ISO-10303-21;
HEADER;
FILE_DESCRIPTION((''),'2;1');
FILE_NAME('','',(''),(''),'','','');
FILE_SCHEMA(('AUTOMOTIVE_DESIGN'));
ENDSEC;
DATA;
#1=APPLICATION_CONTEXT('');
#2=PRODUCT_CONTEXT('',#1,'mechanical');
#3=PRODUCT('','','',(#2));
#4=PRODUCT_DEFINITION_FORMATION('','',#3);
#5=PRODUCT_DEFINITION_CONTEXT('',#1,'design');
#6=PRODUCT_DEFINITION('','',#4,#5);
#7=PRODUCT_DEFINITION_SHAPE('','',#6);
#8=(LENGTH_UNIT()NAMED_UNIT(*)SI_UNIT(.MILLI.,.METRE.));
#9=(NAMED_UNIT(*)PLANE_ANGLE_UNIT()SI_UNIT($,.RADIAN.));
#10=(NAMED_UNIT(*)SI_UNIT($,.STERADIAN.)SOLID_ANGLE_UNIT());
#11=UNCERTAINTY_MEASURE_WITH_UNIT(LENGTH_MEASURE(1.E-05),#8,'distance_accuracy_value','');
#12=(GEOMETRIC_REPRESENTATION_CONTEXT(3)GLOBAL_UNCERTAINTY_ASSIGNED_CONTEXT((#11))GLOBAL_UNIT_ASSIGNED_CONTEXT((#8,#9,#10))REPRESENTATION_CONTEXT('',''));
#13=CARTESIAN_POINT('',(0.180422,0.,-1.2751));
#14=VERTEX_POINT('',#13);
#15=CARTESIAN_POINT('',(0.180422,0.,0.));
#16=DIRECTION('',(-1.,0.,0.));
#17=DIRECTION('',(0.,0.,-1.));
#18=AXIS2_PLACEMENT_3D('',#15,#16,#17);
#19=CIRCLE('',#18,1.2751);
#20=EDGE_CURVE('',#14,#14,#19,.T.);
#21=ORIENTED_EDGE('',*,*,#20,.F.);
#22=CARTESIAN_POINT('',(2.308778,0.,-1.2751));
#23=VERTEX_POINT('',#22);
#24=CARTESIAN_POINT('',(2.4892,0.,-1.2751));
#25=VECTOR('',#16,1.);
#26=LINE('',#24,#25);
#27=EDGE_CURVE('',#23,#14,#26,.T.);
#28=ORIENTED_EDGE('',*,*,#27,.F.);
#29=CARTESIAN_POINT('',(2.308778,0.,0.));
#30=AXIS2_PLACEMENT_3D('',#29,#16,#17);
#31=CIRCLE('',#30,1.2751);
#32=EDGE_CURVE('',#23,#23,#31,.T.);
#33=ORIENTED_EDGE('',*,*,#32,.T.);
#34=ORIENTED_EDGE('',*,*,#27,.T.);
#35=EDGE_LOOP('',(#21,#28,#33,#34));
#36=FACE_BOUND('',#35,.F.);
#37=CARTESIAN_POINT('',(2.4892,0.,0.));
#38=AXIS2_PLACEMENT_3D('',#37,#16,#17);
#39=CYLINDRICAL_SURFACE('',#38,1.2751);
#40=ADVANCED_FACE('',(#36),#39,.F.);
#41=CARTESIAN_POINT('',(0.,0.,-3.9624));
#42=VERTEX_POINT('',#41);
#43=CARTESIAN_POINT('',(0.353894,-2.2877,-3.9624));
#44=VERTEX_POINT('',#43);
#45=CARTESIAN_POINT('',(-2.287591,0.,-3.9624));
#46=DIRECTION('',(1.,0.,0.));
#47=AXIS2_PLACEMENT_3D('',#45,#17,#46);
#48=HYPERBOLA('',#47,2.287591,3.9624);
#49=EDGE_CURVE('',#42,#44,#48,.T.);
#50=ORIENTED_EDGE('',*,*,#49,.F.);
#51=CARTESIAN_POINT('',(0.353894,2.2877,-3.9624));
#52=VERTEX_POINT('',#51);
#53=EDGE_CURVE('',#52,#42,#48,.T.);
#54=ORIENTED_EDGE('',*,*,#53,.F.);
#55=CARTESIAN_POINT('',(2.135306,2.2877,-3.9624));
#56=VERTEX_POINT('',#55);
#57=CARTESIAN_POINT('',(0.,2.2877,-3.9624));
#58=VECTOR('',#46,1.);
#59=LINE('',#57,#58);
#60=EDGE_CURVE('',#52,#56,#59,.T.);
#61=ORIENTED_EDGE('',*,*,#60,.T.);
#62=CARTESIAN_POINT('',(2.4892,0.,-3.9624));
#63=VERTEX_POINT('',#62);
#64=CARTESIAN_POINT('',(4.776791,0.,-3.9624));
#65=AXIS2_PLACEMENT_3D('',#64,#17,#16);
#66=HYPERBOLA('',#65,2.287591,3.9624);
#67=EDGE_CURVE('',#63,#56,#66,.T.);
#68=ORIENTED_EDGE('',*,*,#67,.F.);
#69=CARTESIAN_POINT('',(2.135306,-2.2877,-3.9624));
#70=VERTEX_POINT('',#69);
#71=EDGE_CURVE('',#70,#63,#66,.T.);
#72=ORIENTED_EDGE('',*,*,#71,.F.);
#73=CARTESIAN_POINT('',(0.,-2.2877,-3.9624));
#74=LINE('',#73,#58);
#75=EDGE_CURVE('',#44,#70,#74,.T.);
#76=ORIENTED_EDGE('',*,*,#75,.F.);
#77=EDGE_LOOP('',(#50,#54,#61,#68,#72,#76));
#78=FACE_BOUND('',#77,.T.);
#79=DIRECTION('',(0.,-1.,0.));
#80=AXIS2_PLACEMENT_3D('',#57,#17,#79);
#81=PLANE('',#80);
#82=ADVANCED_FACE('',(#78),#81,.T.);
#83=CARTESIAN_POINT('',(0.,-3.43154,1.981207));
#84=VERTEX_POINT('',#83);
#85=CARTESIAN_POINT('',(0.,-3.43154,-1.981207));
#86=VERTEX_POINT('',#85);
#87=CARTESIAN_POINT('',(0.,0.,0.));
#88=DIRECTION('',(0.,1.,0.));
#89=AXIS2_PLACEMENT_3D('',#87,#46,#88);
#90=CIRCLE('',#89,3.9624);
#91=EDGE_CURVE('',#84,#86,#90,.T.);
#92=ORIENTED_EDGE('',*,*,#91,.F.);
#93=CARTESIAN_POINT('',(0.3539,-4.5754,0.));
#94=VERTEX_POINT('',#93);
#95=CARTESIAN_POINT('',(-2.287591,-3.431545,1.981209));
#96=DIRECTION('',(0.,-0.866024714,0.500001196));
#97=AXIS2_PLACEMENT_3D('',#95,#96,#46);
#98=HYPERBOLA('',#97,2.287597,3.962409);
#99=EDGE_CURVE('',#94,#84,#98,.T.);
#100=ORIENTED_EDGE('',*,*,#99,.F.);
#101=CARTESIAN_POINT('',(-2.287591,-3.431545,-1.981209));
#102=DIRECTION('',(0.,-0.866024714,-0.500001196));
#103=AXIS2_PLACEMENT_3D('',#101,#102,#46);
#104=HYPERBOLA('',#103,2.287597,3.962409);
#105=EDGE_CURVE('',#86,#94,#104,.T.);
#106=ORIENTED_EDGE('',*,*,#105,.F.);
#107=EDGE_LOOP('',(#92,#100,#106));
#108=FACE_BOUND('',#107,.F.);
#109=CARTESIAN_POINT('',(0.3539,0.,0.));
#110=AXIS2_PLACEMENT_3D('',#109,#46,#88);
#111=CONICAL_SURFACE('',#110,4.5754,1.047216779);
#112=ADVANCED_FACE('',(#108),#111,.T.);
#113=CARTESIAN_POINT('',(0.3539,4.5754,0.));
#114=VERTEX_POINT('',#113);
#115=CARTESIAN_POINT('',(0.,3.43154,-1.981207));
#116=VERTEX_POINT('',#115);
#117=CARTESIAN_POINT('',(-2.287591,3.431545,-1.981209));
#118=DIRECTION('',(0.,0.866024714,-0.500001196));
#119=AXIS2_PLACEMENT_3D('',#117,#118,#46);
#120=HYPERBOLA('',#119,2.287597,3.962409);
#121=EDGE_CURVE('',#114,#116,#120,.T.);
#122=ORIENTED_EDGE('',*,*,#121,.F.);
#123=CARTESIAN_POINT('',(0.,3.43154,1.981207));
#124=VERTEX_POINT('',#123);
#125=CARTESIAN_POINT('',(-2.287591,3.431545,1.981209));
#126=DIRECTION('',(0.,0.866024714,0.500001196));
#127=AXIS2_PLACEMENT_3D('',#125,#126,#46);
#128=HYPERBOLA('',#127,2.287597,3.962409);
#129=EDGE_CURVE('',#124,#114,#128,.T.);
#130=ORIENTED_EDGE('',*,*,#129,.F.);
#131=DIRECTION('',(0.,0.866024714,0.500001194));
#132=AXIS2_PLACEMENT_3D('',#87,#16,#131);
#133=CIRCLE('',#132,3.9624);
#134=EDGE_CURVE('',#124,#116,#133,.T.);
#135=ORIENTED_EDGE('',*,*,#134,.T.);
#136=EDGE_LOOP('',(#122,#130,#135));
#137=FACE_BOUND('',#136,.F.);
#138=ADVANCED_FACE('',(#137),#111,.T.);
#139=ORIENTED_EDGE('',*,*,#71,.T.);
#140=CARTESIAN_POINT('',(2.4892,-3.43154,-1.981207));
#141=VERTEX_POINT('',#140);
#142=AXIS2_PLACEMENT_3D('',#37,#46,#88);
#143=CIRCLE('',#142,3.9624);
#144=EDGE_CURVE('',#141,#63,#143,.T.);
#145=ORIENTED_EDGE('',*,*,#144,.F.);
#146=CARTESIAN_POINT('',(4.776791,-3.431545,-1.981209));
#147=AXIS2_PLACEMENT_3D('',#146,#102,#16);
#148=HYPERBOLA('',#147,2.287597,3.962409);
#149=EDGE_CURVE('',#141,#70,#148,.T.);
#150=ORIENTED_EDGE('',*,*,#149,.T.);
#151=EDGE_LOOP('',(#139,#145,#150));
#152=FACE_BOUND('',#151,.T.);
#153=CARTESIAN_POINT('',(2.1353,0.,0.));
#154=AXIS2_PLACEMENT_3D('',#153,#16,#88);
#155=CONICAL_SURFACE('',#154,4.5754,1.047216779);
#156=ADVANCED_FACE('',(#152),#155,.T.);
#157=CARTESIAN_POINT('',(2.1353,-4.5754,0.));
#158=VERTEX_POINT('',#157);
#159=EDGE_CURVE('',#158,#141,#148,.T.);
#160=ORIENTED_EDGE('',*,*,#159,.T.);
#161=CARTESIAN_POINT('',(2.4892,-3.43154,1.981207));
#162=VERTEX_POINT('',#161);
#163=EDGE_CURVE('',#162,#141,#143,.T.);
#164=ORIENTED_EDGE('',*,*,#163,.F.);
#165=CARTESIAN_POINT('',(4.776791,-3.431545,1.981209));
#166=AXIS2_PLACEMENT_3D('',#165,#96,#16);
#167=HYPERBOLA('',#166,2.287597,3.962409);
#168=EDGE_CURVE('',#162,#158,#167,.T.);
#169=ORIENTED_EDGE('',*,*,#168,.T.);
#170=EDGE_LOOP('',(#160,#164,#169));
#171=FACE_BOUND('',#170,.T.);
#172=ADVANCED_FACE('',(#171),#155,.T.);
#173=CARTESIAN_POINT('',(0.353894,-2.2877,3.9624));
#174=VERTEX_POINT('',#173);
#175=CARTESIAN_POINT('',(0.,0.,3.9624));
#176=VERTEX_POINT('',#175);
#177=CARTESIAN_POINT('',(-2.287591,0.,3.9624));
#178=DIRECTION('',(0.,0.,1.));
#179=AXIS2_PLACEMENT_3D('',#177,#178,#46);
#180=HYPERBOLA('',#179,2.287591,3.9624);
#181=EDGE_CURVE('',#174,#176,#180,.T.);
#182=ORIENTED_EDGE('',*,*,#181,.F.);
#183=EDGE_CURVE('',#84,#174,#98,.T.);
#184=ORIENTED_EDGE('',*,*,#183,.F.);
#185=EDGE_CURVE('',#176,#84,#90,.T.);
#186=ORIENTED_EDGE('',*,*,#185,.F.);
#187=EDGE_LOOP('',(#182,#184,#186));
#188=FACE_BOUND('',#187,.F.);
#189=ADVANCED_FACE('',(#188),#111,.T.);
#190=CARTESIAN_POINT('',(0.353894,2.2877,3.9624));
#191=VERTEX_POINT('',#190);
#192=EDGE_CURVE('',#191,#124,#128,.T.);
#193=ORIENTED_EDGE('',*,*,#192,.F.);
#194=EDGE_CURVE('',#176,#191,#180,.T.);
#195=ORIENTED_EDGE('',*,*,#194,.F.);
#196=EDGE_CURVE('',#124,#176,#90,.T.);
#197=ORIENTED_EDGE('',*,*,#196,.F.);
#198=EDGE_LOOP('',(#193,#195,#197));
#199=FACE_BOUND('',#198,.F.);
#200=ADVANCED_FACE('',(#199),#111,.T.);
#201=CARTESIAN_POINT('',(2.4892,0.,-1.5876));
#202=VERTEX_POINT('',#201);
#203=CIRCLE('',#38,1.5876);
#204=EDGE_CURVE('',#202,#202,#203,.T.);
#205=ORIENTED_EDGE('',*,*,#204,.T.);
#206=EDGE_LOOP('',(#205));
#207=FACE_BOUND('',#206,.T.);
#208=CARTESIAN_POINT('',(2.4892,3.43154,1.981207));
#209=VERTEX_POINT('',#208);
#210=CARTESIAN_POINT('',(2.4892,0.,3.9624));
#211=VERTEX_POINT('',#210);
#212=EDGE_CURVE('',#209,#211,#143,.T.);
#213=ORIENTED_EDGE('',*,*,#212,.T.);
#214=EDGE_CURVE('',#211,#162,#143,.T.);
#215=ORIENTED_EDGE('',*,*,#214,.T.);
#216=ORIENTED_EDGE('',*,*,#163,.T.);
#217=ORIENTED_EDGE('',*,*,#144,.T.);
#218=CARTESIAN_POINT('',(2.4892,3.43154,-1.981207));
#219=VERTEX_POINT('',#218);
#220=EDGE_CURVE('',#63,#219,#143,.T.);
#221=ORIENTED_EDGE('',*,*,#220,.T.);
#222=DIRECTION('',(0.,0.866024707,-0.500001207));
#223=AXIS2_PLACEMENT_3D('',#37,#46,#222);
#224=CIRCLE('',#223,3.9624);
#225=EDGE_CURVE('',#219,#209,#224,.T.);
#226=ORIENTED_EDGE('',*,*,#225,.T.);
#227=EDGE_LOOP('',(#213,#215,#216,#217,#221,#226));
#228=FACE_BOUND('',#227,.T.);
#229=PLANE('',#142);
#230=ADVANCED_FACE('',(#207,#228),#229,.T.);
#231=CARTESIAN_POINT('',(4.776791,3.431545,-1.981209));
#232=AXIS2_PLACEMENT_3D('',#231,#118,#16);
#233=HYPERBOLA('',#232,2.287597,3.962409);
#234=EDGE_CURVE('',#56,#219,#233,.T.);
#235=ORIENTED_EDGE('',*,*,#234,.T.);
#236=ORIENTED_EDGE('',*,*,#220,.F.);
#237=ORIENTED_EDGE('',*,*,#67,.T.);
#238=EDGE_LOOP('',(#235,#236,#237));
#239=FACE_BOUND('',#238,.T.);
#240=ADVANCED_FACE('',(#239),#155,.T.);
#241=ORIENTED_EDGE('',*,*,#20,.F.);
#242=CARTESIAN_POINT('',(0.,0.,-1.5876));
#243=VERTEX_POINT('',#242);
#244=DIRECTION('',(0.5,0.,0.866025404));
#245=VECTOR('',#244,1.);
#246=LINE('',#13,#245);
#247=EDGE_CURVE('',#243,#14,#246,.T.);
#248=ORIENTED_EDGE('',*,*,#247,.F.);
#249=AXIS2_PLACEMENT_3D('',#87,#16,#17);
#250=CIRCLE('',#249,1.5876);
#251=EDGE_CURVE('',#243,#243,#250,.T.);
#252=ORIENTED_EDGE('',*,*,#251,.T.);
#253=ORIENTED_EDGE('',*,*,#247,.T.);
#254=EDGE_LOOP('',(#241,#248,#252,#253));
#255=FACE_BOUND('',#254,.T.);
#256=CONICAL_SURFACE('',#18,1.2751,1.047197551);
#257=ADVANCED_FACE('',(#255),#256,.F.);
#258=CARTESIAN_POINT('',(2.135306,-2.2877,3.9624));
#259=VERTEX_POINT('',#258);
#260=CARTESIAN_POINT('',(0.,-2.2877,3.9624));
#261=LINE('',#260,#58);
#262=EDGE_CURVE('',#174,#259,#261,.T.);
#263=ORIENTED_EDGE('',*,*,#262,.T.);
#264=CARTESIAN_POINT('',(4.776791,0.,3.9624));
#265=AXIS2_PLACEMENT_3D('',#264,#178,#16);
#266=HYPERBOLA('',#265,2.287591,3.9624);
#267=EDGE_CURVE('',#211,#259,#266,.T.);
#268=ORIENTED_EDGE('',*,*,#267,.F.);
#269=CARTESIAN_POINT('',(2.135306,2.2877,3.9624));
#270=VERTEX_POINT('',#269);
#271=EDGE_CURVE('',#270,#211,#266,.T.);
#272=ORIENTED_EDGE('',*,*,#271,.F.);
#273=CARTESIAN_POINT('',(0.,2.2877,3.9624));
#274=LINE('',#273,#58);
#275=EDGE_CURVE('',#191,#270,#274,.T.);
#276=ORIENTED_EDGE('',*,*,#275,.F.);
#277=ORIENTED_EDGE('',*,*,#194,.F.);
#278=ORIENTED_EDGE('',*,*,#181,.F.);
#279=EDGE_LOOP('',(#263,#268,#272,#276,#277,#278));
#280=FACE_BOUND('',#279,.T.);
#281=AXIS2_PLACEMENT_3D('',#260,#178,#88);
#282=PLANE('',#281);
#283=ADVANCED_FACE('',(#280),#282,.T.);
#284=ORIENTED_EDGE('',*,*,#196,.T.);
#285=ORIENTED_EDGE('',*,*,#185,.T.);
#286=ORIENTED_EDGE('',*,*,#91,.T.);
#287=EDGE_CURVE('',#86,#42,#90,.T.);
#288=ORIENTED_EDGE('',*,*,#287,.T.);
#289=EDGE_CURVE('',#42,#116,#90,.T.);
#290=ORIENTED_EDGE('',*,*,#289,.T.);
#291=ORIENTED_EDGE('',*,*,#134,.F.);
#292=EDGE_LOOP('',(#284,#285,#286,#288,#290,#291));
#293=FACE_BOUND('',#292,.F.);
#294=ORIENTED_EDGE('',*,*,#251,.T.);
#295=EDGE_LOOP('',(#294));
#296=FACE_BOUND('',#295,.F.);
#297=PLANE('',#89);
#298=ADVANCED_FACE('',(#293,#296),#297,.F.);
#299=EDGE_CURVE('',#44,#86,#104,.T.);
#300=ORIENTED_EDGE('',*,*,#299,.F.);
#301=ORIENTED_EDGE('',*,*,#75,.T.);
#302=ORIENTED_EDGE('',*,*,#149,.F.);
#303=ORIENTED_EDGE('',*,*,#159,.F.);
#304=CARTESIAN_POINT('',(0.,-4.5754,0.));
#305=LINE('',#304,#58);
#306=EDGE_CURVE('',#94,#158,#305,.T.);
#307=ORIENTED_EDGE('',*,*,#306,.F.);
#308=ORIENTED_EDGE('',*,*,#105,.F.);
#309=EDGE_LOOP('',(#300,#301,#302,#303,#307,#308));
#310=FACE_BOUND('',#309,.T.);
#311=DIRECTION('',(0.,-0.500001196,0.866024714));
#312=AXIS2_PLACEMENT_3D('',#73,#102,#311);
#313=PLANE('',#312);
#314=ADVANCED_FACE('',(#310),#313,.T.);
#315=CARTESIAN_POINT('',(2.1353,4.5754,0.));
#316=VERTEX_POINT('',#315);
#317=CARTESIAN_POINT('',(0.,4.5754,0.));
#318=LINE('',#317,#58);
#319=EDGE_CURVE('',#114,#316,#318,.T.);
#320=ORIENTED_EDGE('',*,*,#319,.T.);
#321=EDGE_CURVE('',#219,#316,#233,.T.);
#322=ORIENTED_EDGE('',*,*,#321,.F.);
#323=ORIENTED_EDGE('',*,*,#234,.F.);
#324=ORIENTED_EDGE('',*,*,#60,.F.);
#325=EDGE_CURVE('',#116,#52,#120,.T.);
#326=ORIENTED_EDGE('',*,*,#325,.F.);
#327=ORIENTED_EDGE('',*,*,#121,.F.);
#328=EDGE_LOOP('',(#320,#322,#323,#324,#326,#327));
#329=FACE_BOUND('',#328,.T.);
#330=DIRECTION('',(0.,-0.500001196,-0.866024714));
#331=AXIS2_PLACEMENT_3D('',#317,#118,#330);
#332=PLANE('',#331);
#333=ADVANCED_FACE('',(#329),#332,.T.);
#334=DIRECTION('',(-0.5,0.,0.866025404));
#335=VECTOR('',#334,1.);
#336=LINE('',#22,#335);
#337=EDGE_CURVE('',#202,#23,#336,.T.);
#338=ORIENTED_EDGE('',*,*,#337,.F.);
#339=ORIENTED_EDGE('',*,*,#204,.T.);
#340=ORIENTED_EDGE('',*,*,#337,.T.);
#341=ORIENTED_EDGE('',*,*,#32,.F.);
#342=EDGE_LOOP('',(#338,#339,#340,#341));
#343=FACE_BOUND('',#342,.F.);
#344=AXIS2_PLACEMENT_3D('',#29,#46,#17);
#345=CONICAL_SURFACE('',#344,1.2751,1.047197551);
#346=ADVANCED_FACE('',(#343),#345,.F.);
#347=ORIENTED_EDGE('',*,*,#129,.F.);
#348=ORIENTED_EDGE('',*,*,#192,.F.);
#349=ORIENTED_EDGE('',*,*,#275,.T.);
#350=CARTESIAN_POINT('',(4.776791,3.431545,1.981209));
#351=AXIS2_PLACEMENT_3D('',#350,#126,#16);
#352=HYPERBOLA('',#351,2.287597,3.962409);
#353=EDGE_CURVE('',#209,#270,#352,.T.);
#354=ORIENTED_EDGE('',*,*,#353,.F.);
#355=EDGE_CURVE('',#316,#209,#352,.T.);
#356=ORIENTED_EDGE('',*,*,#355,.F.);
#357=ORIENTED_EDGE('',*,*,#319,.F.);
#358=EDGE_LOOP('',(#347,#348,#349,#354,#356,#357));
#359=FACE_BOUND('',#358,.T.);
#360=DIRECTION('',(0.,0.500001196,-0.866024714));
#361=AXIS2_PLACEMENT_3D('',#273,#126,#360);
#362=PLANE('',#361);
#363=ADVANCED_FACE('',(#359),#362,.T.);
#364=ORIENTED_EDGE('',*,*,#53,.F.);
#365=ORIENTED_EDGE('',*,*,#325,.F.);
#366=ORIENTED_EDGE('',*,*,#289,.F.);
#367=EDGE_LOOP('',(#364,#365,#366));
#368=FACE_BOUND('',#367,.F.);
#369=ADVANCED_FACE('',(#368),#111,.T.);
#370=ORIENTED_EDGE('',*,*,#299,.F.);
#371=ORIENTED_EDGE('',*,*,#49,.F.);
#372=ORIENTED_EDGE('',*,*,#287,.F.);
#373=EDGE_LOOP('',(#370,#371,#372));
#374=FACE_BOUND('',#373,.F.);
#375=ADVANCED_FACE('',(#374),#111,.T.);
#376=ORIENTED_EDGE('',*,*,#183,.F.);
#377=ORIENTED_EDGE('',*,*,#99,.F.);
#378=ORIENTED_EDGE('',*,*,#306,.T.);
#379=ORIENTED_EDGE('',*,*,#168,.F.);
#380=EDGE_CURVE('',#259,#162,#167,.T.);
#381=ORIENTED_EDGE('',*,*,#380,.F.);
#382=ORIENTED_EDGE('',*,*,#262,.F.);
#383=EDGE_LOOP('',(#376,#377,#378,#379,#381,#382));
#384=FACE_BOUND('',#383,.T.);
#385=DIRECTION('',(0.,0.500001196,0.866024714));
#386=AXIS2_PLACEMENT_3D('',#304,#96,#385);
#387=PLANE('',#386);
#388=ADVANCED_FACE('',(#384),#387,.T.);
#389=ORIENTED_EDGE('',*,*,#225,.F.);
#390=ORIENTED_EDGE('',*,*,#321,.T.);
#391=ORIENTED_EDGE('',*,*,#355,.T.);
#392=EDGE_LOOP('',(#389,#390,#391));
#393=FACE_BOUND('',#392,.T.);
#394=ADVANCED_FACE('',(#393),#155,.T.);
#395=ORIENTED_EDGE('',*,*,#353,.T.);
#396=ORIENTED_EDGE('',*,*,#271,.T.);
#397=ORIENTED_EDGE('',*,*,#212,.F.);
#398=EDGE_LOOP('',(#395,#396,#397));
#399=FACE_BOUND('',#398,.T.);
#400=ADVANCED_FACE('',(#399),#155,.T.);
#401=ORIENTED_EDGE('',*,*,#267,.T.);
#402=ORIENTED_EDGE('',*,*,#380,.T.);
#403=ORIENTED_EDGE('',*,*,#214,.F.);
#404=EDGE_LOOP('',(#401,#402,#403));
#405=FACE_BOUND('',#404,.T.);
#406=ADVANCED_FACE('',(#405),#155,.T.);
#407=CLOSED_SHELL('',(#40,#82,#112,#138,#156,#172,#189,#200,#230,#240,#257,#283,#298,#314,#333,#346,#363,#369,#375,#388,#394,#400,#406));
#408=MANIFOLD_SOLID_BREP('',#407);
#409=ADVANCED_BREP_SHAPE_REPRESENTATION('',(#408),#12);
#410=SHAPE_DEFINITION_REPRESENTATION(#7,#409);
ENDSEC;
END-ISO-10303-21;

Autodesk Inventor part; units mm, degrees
ref_plane "YZ Plane" through (0, 0, 0) normal (1, 0, 0) x (0, 1, 0)
ref_plane "XZ Plane" through (0, 0, 0) normal (0, 1, 0) x (-1, 0, 0)
sketch "Sketch1" plane through (0, 0, 0) normal (1, 0, 0) x (0, 1, 0)
  line L0 (-4.5754, 0) -> (-2.2877, 3.9624)
  line L1 (-2.2877, 3.9624) -> (2.2877, 3.9624)
  line L2 (2.2877, 3.9624) -> (4.5754, 0)
  line L3 (4.5754, 0) -> (2.2877, -3.9624)
  line L4 (2.2877, -3.9624) -> (-2.2877, -3.9624)
  line L5 (-2.2877, -3.9624) -> (-4.5754, 0)
  point P0 (0, 0)
  point P1 (0, 0)
  dimension "d0" = 9.1508
extrude "Body" add sketch "Sketch1" along normal blind 2.4892
sketch "Sketch2" plane through (0, 0, 0) normal (0, 0, 1) x (1, 0, 0)
  line L0 (0, 2.2877) -> (0, 4.5754) projected
  line L1 (0, 4.5754) -> (2.4892, 4.5754) projected
  line L2 (2.4892, 2.2877) -> (2.4892, 4.5754) projected
  line L3 (-0.4978, 0) -> (2.987, 0) projected
  line L4 (0.3539, 4.5754) -> (0, 3.9624)
  line L5 (2.1353, 4.5754) -> (2.4892, 3.9624)
  dimension "d3" = 30
  dimension "d4" = 30
  dimension "d5" = 7.9248
  dimension "d6" = 7.9248
revolve "Chamfer1" cut sketch "Sketch2" angle 360 about axis through (-10, 0, 0) along (1, 0, 0)
sketch "Sketch3" plane through (2.4892, 0, 0) normal (1, 0, 0) x (0, 0, -1)
  arc A0 (-1.9812, -3.4315) -> (1.9812, -3.4315) centre (0, 0) ccw projected
hole "Thread" at (2.4892, 0, 0) direction (-1, 0, 0) diameter 2.5502 end through all thread size "5-44 UNF" class "2B" standard "ANSI Unified Screw Threads"
chamfer "Chamfer2" distance 0.3125 angle 30 1 edges at (2.4892, 0, 1.2751) measured on face at (2.4892, 3.0491, -0.0512)
chamfer "Chamfer3" distance 0.3125 angle 30 1 edges at (0, 0, 1.2751) measured on face at (0, -3.0491, -0.0512)
ref_plane "Work Plane1" through (-9.8694, 0, 0) normal (0, -0.866, -0.5) x (1, 0, 0)
equation "\"d0\" = 1.1547 * SW"
equation "\"d1\" = KOH"
equation "\"d3\" = ANG1"
equation "\"d4\" = ANG2"
equation "\"d5\" = SW0"
equation "\"d6\" = SW01"
equation "\"d8\" = -0.5 * GD1 + 0.5 * NND"
equation "\"d40\" = -0.5 * GD1 + 0.5 * NND"
equation "\"d10\" = -0.5 * GD1 + 0.5 * NND"
equation "\"d41\" = -0.5 * GD1 + 0.5 * NND"
equation "\"ANG1\" = 30deg"
equation "\"ANG2\" = 30deg"
equation "\"NND\" = 3.175"
equation "\"KOH\" = 2.4892"
equation "\"SW\" = 7.9248"
equation "\"SW0\" = SW"
equation "\"SW01\" = SW"
equation "\"THREADDIA\" = 3.175"
equation "\"TOA\" = 30deg"
equation "\"E0\" = 1.155 * SW"
equation "\"GD1\" = 2.550084"
properties part number "ANSI B18.6.3 - 5 - 44" material "Steel, Mild"
